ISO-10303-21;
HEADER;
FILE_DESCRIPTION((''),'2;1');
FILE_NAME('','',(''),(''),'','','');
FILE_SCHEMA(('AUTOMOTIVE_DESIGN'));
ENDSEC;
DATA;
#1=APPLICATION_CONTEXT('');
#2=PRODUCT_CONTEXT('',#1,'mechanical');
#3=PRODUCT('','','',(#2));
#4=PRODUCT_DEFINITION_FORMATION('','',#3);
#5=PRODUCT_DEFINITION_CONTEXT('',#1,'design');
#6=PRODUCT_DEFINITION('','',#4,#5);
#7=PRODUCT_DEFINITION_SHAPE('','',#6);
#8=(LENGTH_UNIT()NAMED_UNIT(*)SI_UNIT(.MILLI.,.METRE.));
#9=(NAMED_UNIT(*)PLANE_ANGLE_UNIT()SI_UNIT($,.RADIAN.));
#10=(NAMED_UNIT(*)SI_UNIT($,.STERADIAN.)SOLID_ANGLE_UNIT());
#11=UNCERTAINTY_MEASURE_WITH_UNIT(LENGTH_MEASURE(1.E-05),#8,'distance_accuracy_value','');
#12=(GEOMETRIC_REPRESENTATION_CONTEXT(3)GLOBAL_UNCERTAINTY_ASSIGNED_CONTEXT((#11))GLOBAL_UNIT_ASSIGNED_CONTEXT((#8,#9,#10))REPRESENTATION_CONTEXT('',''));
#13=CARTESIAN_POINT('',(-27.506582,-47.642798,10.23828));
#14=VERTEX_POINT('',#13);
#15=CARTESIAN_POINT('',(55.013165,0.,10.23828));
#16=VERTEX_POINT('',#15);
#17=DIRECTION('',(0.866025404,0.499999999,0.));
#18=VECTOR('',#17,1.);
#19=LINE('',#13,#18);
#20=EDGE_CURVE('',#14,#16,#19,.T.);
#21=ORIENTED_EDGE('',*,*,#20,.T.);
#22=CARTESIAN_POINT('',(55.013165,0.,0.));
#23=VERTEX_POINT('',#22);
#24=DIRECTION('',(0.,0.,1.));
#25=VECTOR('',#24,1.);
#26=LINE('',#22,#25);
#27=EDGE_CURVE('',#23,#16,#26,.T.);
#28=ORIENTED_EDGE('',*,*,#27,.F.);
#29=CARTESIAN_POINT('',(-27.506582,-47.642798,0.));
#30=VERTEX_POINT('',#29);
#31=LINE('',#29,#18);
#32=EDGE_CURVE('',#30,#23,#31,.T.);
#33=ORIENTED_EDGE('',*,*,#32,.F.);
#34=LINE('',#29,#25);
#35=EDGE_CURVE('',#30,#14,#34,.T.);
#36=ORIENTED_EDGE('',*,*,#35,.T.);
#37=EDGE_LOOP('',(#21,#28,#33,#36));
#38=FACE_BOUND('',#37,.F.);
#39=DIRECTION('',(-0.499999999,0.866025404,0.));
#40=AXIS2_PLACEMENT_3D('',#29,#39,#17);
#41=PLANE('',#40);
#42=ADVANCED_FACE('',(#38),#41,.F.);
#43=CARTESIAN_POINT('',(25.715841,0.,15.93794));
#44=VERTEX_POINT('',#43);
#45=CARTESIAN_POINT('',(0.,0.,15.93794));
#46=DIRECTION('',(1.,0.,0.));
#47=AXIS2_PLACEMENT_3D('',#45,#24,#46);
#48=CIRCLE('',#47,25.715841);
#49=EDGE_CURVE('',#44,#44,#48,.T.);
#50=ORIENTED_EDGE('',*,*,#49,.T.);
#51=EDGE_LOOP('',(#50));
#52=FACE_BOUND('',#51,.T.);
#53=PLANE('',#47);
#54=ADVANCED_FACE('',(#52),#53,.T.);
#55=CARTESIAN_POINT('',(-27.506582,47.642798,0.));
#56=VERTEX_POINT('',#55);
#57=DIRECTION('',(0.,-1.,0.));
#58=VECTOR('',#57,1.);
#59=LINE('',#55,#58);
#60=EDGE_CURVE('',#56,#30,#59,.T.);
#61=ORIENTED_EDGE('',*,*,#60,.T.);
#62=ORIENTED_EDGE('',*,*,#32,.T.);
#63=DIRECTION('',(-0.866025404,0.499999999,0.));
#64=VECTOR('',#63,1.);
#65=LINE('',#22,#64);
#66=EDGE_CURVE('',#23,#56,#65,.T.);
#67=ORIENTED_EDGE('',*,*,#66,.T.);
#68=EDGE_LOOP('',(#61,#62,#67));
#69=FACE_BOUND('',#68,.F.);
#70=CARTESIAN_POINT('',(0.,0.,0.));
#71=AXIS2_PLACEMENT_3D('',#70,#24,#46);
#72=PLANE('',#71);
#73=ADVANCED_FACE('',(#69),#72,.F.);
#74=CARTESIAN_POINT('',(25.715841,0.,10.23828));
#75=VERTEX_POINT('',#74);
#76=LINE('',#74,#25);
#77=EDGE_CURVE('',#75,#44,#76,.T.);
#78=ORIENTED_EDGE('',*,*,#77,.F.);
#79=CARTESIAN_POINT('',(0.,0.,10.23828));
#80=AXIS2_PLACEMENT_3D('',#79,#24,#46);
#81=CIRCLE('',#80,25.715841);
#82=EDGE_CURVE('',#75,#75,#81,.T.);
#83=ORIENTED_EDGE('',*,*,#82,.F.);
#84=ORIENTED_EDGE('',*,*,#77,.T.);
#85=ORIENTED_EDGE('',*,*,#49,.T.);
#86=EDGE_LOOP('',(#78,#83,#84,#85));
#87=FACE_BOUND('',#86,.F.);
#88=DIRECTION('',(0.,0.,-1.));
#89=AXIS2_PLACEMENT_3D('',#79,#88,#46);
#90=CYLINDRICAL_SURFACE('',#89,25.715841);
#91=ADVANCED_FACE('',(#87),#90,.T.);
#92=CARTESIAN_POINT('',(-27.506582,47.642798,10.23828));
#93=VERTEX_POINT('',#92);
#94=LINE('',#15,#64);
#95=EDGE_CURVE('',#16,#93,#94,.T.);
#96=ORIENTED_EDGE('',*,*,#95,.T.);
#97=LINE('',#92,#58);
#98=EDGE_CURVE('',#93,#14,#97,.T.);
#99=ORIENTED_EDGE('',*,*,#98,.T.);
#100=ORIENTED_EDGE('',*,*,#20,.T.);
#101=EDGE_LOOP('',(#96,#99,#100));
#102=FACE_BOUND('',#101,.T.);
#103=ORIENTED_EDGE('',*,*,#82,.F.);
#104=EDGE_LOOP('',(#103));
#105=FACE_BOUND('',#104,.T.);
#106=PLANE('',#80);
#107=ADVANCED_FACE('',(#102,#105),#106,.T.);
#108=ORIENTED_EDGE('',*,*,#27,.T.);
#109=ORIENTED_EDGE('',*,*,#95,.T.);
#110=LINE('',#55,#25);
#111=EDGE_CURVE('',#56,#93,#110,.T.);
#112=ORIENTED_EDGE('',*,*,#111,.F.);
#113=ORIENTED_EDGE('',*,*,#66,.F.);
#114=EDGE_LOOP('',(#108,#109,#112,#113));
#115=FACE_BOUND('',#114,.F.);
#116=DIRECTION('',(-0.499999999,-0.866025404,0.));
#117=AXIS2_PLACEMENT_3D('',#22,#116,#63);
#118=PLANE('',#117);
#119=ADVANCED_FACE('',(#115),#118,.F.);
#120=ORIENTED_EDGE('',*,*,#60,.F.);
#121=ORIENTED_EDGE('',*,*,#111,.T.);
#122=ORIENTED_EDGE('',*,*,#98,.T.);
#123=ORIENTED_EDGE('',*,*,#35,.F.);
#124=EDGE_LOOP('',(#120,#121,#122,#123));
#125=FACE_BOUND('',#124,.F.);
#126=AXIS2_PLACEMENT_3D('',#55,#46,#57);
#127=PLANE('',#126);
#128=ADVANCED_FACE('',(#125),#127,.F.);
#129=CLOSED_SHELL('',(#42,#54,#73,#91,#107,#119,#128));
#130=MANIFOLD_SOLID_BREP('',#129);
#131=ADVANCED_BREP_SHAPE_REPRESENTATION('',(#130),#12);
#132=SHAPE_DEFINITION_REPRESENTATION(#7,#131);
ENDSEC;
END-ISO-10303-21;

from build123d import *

# Parameters (mm, degrees)
F1_DEPTH = 10.23828
F2_R     = 25.715841
F3_DEPTH = 5.69966


with BuildPart() as f1:
    # F0 (on Top) → F1 (new body)
    with BuildSketch(Plane.XY):
        Polygon((-27.506582, 47.642798), (-27.506582, -47.642798), (55.013165, 0), align=None)
    extrude(amount=F1_DEPTH)

    # F2 (on face) → F3 (join)
    with BuildSketch(Plane.XY.offset(10.23828)):
        Circle(F2_R)
    extrude(amount=F3_DEPTH)


solid = f1.part
